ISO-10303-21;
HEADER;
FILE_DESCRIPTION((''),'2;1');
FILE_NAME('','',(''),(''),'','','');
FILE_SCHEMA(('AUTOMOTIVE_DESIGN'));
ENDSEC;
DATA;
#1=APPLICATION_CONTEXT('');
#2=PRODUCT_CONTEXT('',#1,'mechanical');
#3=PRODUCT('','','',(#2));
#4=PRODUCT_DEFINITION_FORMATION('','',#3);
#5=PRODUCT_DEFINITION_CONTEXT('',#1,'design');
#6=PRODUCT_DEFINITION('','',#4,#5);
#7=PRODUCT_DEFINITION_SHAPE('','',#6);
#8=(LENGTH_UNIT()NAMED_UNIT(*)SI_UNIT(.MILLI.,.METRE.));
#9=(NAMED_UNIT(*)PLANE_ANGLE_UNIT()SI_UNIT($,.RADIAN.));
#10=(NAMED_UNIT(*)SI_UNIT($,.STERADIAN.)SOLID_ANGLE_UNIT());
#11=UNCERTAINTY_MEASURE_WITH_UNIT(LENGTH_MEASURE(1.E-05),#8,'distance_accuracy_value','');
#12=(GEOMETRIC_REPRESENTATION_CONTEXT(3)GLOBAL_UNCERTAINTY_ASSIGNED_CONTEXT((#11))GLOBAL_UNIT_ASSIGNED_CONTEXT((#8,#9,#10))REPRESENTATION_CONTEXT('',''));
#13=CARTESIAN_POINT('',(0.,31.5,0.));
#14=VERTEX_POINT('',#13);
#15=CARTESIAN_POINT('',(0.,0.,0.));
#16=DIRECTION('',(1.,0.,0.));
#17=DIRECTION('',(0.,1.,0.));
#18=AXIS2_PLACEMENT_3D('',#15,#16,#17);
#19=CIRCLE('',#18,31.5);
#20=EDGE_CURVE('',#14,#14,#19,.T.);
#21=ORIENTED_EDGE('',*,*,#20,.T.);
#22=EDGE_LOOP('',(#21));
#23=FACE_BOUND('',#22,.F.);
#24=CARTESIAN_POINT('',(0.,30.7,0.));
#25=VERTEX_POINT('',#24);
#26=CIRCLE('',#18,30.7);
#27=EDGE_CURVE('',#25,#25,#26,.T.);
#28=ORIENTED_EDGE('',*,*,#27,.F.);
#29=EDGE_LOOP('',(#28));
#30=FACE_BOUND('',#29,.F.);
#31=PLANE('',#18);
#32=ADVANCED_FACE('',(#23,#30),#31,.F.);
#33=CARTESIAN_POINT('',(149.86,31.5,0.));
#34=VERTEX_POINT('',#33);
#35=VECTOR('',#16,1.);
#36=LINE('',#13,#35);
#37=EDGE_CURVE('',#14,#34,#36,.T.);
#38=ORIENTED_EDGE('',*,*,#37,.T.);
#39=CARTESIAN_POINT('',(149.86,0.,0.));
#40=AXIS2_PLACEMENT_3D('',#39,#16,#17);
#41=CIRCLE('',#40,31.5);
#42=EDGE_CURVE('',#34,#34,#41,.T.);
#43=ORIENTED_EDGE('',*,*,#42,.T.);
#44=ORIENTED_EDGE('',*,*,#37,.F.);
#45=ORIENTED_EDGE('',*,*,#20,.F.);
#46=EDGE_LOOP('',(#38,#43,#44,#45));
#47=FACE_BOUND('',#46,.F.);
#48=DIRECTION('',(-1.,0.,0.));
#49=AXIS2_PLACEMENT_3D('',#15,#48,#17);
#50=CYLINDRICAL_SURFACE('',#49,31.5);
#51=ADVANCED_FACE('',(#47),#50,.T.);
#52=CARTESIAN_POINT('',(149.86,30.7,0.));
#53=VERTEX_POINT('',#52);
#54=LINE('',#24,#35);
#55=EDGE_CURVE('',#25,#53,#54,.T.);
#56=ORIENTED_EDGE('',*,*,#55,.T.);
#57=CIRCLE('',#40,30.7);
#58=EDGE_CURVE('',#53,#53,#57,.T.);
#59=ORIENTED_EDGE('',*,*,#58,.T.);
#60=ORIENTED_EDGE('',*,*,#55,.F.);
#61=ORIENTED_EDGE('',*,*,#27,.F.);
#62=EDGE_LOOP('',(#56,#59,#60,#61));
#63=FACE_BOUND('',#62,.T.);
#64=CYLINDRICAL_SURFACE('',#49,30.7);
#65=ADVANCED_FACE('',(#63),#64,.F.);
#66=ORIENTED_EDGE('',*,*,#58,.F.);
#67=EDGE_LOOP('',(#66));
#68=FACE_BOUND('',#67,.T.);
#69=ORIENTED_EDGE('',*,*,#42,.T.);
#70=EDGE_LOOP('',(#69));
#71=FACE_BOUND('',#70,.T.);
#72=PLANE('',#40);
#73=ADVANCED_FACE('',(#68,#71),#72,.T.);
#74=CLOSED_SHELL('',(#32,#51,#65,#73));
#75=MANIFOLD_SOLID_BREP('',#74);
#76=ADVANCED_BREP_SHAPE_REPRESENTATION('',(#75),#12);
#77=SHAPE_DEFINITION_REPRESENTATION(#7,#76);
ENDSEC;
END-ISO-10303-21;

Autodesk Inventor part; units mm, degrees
ref_plane "YZ Plane" through (0, 0, 0) normal (1, 0, 0) x (0, 1, 0)
ref_plane "XZ Plane" through (0, 0, 0) normal (0, 1, 0) x (-1, 0, 0)
ref_plane "XY Plane" through (0, 0, 0) normal (0, 0, 1) x (1, 0, 0)
sketch "Sketch1" plane through (0, 0, 0) normal (1, 0, 0) x (0, 1, 0)
  circle A0 centre (0, 0) radius 31.5
  circle A1 centre (0, 0) radius 30.7
  dimension "d0" = 63
  dimension "d1" = 0.8
extrude "Extrusion1" add sketch "Sketch1" along normal blind 149.86
equation "\"d0\" = OD"
equation "\"d1\" = t"
equation "\"d2\" = L"
equation "\"OD\" = 63"
equation "\"t\" = 0.8"
equation "\"L\" = PL"
equation "\"ID\" = 61.4"
equation "\"PL\" = 149.86"
properties part number "ISO 4065 Pipe DN63x0.8xS40 - 160.02000000" material "PVC-Piping"
